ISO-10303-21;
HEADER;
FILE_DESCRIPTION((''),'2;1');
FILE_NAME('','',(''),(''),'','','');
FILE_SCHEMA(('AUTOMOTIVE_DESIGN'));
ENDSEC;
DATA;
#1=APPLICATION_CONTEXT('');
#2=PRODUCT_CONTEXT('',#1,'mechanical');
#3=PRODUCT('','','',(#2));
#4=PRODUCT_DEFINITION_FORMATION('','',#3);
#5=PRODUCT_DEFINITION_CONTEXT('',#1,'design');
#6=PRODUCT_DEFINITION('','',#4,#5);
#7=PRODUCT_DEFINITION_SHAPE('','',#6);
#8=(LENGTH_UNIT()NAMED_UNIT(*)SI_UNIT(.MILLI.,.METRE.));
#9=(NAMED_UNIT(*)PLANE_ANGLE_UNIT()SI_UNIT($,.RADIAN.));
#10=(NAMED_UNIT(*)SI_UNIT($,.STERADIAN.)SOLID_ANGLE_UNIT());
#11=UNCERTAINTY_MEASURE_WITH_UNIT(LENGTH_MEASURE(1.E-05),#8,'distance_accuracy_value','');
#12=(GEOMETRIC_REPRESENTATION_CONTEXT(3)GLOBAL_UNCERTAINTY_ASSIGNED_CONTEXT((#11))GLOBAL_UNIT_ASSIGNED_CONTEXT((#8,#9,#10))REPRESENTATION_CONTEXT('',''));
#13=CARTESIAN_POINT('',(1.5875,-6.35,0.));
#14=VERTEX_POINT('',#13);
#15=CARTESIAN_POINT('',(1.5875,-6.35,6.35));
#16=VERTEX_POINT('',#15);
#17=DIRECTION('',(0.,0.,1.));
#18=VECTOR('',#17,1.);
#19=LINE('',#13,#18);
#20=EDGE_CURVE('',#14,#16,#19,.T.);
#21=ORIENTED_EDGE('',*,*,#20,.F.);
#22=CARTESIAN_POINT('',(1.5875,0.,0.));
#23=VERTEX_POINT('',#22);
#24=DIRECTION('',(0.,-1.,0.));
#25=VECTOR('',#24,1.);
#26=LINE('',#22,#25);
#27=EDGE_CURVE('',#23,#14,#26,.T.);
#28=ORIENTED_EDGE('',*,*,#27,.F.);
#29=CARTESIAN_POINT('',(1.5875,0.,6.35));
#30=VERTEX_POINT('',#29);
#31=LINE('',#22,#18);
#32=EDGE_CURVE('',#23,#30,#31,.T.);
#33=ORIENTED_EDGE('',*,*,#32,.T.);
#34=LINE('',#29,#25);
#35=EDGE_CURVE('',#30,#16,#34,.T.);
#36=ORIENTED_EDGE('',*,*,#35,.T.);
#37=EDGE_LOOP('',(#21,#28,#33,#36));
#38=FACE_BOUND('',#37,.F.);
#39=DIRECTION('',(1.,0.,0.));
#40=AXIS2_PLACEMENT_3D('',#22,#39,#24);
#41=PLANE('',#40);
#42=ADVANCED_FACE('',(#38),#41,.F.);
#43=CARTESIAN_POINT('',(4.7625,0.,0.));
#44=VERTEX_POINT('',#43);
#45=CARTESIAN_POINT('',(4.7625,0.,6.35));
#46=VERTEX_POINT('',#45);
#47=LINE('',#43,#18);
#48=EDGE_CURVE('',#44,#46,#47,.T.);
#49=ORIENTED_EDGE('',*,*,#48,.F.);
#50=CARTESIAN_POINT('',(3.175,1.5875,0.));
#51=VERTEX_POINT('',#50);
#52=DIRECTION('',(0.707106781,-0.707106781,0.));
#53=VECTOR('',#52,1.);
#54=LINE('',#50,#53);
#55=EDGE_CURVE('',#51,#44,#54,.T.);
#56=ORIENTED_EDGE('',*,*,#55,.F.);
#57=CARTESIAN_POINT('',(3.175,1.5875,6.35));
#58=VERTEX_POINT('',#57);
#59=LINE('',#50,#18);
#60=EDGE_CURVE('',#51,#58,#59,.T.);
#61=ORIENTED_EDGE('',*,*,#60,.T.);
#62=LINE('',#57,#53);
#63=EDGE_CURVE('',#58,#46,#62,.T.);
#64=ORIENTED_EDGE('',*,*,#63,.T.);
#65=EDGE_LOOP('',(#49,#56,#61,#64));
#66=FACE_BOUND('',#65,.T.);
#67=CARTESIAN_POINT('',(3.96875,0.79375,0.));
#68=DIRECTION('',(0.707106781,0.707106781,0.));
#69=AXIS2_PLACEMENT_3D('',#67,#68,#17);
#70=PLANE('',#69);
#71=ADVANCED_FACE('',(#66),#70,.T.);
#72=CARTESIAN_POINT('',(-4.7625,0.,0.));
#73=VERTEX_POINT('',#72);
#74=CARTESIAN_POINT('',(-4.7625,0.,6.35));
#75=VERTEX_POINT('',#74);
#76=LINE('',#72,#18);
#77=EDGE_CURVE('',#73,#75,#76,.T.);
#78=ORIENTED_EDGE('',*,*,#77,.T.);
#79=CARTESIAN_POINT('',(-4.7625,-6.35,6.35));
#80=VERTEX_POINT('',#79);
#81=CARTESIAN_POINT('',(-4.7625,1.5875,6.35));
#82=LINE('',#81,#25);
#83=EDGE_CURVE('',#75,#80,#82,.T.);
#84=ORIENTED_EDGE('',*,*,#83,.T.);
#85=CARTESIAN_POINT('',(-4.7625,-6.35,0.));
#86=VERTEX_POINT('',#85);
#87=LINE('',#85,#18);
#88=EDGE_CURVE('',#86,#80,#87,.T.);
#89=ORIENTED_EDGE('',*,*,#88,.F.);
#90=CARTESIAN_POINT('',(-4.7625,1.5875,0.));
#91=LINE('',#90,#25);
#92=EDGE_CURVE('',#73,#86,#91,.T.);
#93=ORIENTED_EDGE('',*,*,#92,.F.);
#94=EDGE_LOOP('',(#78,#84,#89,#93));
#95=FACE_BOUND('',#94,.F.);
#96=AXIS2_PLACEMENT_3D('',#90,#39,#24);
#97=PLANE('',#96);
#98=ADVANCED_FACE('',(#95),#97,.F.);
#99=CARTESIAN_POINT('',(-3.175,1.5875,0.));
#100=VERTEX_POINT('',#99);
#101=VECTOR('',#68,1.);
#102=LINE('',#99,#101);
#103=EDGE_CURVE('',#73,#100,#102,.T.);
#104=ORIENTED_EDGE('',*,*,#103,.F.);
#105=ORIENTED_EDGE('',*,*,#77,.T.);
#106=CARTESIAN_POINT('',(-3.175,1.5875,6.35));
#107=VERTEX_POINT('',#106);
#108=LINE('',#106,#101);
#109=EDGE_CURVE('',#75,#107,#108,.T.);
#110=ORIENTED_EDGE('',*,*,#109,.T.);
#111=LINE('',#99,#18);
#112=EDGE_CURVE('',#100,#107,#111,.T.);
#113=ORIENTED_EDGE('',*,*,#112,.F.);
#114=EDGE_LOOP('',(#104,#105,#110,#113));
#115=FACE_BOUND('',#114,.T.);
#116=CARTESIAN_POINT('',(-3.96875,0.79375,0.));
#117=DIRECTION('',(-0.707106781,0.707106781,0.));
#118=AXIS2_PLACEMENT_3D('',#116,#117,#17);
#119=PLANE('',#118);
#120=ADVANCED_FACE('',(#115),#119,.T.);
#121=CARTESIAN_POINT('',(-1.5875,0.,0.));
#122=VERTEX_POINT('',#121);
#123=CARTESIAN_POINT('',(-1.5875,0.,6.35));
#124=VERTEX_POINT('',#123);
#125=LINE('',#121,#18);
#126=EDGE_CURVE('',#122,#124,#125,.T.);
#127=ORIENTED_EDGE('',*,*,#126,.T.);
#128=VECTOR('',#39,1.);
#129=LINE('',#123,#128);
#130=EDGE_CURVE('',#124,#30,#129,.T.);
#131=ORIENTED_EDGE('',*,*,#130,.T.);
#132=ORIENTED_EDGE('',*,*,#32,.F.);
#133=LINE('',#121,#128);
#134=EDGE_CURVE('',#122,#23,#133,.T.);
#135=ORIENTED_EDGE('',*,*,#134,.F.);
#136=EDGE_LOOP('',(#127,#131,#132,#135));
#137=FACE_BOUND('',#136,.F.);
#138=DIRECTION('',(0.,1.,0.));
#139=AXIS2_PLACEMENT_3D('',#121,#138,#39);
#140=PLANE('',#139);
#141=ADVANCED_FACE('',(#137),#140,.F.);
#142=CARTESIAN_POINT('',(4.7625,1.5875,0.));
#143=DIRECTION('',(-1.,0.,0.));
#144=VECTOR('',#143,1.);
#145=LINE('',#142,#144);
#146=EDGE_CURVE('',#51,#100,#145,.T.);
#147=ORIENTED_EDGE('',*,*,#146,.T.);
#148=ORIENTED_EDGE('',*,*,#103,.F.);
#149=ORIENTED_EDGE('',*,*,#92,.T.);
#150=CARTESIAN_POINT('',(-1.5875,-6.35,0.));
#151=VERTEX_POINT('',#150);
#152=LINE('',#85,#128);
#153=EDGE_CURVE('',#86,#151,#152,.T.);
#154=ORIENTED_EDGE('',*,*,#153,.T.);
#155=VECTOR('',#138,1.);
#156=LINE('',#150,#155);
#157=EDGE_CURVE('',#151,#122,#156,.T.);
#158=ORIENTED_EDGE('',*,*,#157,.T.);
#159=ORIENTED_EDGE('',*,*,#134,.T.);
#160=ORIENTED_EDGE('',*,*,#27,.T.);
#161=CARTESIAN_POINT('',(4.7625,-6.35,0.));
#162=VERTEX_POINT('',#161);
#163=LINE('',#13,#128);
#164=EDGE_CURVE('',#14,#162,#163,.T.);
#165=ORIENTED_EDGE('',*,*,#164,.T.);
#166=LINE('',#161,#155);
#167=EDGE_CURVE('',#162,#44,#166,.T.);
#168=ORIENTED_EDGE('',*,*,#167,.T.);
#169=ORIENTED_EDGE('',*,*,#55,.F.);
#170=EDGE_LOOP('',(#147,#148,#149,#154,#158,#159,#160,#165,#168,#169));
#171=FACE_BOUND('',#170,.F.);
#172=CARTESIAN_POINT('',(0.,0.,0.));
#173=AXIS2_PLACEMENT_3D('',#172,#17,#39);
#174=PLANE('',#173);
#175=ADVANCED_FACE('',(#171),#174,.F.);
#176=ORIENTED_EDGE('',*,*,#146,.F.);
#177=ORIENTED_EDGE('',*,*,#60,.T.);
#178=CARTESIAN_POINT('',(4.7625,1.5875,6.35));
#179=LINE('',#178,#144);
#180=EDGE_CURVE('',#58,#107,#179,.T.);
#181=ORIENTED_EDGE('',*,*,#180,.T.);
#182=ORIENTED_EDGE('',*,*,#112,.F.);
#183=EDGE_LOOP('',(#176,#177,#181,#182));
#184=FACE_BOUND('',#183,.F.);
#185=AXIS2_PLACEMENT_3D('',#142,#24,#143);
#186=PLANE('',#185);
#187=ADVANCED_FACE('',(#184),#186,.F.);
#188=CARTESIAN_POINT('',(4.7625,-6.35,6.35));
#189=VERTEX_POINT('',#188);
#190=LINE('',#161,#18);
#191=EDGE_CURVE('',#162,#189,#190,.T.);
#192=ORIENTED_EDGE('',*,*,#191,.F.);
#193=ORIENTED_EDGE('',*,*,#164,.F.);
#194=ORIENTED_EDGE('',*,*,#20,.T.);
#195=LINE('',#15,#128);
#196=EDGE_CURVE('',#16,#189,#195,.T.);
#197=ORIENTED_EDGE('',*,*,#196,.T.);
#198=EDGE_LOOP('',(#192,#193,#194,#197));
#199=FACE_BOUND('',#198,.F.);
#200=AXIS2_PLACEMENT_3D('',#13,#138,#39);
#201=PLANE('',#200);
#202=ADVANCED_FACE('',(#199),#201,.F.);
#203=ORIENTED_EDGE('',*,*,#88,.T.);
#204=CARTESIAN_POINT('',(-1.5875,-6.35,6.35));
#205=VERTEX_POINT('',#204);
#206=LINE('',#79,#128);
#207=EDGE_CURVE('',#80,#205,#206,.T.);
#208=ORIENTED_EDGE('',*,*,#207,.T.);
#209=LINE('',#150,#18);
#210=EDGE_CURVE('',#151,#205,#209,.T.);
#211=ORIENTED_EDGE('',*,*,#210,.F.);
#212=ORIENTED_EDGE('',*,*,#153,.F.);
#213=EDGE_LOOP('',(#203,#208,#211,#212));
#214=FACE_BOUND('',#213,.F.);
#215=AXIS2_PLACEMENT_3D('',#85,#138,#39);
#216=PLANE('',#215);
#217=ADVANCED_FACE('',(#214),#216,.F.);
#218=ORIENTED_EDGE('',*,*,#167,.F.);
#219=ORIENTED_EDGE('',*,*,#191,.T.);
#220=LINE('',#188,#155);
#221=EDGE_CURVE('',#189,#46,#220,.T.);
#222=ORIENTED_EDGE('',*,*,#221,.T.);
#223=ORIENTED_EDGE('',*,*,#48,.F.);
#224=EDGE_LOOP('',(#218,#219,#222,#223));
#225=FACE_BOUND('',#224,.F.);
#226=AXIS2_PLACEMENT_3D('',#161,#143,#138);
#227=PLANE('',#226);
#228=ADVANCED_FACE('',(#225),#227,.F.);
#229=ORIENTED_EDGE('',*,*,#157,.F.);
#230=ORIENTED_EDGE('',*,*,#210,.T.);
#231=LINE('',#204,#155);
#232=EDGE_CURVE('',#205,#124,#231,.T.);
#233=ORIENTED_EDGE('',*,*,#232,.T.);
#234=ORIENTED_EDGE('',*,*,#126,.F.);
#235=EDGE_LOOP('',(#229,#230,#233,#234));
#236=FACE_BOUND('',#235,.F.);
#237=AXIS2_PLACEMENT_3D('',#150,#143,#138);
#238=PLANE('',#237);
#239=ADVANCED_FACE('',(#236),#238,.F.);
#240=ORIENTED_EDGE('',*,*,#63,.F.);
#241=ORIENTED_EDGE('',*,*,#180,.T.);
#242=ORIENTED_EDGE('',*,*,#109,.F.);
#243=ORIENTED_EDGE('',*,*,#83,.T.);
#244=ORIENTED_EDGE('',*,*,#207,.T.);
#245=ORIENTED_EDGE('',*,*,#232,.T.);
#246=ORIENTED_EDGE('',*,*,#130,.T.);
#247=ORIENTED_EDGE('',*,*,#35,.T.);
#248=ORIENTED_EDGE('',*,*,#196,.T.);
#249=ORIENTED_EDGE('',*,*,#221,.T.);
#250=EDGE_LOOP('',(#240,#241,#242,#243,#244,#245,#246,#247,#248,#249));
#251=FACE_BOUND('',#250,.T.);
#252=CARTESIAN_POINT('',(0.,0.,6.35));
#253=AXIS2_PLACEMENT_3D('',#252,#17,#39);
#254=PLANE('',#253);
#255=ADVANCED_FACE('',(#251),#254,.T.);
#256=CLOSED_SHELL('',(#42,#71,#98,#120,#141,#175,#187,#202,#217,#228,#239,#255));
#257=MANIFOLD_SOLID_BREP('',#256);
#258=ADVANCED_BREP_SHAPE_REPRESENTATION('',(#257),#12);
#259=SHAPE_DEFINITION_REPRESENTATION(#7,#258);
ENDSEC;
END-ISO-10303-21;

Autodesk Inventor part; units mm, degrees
ref_plane "YZ Plane" through (0, 0, 0) normal (1, 0, 0) x (0, 1, 0)
ref_plane "XZ Plane" through (0, 0, 0) normal (0, 1, 0) x (-1, 0, 0)
ref_plane "XY Plane" through (0, 0, 0) normal (0, 0, 1) x (1, 0, 0)
sketch "Sketch1" plane through (0, 0, 0) normal (0, 0, 1) x (1, 0, 0)
  line L0 (-4.7625, -6.35) -> (-1.5875, -6.35)
  line L1 (-1.5875, -6.35) -> (-1.5875, 0)
  line L2 (-1.5875, 0) -> (1.5875, 0)
  line L3 (1.5875, 0) -> (1.5875, -6.35)
  line L4 (1.5875, -6.35) -> (4.7625, -6.35)
  line L5 (4.7625, -6.35) -> (4.7625, 1.5875)
  line L6 (4.7625, 1.5875) -> (-4.7625, 1.5875)
  line L7 (-4.7625, 1.5875) -> (-4.7625, -6.35)
  point P0 (0, 0)
  point P1 (0, 0)
  point P2 (0, 1.5875)
  dimension "d0" = 3.175
  dimension "d1" = 3.175
  dimension "d2" = 6.35
  dimension "d3" = 1.5875
extrude "Extrusion1" add sketch "Sketch1" along normal blind 6.35
chamfer "Chamfer1" distance 1.5875 angle 45 2 edges at (-4.7625, 1.5875, 3.175) (4.7625, 1.5875, 3.175)
properties part number "3DPRINT,WIRE-GUARD,LOOP"
